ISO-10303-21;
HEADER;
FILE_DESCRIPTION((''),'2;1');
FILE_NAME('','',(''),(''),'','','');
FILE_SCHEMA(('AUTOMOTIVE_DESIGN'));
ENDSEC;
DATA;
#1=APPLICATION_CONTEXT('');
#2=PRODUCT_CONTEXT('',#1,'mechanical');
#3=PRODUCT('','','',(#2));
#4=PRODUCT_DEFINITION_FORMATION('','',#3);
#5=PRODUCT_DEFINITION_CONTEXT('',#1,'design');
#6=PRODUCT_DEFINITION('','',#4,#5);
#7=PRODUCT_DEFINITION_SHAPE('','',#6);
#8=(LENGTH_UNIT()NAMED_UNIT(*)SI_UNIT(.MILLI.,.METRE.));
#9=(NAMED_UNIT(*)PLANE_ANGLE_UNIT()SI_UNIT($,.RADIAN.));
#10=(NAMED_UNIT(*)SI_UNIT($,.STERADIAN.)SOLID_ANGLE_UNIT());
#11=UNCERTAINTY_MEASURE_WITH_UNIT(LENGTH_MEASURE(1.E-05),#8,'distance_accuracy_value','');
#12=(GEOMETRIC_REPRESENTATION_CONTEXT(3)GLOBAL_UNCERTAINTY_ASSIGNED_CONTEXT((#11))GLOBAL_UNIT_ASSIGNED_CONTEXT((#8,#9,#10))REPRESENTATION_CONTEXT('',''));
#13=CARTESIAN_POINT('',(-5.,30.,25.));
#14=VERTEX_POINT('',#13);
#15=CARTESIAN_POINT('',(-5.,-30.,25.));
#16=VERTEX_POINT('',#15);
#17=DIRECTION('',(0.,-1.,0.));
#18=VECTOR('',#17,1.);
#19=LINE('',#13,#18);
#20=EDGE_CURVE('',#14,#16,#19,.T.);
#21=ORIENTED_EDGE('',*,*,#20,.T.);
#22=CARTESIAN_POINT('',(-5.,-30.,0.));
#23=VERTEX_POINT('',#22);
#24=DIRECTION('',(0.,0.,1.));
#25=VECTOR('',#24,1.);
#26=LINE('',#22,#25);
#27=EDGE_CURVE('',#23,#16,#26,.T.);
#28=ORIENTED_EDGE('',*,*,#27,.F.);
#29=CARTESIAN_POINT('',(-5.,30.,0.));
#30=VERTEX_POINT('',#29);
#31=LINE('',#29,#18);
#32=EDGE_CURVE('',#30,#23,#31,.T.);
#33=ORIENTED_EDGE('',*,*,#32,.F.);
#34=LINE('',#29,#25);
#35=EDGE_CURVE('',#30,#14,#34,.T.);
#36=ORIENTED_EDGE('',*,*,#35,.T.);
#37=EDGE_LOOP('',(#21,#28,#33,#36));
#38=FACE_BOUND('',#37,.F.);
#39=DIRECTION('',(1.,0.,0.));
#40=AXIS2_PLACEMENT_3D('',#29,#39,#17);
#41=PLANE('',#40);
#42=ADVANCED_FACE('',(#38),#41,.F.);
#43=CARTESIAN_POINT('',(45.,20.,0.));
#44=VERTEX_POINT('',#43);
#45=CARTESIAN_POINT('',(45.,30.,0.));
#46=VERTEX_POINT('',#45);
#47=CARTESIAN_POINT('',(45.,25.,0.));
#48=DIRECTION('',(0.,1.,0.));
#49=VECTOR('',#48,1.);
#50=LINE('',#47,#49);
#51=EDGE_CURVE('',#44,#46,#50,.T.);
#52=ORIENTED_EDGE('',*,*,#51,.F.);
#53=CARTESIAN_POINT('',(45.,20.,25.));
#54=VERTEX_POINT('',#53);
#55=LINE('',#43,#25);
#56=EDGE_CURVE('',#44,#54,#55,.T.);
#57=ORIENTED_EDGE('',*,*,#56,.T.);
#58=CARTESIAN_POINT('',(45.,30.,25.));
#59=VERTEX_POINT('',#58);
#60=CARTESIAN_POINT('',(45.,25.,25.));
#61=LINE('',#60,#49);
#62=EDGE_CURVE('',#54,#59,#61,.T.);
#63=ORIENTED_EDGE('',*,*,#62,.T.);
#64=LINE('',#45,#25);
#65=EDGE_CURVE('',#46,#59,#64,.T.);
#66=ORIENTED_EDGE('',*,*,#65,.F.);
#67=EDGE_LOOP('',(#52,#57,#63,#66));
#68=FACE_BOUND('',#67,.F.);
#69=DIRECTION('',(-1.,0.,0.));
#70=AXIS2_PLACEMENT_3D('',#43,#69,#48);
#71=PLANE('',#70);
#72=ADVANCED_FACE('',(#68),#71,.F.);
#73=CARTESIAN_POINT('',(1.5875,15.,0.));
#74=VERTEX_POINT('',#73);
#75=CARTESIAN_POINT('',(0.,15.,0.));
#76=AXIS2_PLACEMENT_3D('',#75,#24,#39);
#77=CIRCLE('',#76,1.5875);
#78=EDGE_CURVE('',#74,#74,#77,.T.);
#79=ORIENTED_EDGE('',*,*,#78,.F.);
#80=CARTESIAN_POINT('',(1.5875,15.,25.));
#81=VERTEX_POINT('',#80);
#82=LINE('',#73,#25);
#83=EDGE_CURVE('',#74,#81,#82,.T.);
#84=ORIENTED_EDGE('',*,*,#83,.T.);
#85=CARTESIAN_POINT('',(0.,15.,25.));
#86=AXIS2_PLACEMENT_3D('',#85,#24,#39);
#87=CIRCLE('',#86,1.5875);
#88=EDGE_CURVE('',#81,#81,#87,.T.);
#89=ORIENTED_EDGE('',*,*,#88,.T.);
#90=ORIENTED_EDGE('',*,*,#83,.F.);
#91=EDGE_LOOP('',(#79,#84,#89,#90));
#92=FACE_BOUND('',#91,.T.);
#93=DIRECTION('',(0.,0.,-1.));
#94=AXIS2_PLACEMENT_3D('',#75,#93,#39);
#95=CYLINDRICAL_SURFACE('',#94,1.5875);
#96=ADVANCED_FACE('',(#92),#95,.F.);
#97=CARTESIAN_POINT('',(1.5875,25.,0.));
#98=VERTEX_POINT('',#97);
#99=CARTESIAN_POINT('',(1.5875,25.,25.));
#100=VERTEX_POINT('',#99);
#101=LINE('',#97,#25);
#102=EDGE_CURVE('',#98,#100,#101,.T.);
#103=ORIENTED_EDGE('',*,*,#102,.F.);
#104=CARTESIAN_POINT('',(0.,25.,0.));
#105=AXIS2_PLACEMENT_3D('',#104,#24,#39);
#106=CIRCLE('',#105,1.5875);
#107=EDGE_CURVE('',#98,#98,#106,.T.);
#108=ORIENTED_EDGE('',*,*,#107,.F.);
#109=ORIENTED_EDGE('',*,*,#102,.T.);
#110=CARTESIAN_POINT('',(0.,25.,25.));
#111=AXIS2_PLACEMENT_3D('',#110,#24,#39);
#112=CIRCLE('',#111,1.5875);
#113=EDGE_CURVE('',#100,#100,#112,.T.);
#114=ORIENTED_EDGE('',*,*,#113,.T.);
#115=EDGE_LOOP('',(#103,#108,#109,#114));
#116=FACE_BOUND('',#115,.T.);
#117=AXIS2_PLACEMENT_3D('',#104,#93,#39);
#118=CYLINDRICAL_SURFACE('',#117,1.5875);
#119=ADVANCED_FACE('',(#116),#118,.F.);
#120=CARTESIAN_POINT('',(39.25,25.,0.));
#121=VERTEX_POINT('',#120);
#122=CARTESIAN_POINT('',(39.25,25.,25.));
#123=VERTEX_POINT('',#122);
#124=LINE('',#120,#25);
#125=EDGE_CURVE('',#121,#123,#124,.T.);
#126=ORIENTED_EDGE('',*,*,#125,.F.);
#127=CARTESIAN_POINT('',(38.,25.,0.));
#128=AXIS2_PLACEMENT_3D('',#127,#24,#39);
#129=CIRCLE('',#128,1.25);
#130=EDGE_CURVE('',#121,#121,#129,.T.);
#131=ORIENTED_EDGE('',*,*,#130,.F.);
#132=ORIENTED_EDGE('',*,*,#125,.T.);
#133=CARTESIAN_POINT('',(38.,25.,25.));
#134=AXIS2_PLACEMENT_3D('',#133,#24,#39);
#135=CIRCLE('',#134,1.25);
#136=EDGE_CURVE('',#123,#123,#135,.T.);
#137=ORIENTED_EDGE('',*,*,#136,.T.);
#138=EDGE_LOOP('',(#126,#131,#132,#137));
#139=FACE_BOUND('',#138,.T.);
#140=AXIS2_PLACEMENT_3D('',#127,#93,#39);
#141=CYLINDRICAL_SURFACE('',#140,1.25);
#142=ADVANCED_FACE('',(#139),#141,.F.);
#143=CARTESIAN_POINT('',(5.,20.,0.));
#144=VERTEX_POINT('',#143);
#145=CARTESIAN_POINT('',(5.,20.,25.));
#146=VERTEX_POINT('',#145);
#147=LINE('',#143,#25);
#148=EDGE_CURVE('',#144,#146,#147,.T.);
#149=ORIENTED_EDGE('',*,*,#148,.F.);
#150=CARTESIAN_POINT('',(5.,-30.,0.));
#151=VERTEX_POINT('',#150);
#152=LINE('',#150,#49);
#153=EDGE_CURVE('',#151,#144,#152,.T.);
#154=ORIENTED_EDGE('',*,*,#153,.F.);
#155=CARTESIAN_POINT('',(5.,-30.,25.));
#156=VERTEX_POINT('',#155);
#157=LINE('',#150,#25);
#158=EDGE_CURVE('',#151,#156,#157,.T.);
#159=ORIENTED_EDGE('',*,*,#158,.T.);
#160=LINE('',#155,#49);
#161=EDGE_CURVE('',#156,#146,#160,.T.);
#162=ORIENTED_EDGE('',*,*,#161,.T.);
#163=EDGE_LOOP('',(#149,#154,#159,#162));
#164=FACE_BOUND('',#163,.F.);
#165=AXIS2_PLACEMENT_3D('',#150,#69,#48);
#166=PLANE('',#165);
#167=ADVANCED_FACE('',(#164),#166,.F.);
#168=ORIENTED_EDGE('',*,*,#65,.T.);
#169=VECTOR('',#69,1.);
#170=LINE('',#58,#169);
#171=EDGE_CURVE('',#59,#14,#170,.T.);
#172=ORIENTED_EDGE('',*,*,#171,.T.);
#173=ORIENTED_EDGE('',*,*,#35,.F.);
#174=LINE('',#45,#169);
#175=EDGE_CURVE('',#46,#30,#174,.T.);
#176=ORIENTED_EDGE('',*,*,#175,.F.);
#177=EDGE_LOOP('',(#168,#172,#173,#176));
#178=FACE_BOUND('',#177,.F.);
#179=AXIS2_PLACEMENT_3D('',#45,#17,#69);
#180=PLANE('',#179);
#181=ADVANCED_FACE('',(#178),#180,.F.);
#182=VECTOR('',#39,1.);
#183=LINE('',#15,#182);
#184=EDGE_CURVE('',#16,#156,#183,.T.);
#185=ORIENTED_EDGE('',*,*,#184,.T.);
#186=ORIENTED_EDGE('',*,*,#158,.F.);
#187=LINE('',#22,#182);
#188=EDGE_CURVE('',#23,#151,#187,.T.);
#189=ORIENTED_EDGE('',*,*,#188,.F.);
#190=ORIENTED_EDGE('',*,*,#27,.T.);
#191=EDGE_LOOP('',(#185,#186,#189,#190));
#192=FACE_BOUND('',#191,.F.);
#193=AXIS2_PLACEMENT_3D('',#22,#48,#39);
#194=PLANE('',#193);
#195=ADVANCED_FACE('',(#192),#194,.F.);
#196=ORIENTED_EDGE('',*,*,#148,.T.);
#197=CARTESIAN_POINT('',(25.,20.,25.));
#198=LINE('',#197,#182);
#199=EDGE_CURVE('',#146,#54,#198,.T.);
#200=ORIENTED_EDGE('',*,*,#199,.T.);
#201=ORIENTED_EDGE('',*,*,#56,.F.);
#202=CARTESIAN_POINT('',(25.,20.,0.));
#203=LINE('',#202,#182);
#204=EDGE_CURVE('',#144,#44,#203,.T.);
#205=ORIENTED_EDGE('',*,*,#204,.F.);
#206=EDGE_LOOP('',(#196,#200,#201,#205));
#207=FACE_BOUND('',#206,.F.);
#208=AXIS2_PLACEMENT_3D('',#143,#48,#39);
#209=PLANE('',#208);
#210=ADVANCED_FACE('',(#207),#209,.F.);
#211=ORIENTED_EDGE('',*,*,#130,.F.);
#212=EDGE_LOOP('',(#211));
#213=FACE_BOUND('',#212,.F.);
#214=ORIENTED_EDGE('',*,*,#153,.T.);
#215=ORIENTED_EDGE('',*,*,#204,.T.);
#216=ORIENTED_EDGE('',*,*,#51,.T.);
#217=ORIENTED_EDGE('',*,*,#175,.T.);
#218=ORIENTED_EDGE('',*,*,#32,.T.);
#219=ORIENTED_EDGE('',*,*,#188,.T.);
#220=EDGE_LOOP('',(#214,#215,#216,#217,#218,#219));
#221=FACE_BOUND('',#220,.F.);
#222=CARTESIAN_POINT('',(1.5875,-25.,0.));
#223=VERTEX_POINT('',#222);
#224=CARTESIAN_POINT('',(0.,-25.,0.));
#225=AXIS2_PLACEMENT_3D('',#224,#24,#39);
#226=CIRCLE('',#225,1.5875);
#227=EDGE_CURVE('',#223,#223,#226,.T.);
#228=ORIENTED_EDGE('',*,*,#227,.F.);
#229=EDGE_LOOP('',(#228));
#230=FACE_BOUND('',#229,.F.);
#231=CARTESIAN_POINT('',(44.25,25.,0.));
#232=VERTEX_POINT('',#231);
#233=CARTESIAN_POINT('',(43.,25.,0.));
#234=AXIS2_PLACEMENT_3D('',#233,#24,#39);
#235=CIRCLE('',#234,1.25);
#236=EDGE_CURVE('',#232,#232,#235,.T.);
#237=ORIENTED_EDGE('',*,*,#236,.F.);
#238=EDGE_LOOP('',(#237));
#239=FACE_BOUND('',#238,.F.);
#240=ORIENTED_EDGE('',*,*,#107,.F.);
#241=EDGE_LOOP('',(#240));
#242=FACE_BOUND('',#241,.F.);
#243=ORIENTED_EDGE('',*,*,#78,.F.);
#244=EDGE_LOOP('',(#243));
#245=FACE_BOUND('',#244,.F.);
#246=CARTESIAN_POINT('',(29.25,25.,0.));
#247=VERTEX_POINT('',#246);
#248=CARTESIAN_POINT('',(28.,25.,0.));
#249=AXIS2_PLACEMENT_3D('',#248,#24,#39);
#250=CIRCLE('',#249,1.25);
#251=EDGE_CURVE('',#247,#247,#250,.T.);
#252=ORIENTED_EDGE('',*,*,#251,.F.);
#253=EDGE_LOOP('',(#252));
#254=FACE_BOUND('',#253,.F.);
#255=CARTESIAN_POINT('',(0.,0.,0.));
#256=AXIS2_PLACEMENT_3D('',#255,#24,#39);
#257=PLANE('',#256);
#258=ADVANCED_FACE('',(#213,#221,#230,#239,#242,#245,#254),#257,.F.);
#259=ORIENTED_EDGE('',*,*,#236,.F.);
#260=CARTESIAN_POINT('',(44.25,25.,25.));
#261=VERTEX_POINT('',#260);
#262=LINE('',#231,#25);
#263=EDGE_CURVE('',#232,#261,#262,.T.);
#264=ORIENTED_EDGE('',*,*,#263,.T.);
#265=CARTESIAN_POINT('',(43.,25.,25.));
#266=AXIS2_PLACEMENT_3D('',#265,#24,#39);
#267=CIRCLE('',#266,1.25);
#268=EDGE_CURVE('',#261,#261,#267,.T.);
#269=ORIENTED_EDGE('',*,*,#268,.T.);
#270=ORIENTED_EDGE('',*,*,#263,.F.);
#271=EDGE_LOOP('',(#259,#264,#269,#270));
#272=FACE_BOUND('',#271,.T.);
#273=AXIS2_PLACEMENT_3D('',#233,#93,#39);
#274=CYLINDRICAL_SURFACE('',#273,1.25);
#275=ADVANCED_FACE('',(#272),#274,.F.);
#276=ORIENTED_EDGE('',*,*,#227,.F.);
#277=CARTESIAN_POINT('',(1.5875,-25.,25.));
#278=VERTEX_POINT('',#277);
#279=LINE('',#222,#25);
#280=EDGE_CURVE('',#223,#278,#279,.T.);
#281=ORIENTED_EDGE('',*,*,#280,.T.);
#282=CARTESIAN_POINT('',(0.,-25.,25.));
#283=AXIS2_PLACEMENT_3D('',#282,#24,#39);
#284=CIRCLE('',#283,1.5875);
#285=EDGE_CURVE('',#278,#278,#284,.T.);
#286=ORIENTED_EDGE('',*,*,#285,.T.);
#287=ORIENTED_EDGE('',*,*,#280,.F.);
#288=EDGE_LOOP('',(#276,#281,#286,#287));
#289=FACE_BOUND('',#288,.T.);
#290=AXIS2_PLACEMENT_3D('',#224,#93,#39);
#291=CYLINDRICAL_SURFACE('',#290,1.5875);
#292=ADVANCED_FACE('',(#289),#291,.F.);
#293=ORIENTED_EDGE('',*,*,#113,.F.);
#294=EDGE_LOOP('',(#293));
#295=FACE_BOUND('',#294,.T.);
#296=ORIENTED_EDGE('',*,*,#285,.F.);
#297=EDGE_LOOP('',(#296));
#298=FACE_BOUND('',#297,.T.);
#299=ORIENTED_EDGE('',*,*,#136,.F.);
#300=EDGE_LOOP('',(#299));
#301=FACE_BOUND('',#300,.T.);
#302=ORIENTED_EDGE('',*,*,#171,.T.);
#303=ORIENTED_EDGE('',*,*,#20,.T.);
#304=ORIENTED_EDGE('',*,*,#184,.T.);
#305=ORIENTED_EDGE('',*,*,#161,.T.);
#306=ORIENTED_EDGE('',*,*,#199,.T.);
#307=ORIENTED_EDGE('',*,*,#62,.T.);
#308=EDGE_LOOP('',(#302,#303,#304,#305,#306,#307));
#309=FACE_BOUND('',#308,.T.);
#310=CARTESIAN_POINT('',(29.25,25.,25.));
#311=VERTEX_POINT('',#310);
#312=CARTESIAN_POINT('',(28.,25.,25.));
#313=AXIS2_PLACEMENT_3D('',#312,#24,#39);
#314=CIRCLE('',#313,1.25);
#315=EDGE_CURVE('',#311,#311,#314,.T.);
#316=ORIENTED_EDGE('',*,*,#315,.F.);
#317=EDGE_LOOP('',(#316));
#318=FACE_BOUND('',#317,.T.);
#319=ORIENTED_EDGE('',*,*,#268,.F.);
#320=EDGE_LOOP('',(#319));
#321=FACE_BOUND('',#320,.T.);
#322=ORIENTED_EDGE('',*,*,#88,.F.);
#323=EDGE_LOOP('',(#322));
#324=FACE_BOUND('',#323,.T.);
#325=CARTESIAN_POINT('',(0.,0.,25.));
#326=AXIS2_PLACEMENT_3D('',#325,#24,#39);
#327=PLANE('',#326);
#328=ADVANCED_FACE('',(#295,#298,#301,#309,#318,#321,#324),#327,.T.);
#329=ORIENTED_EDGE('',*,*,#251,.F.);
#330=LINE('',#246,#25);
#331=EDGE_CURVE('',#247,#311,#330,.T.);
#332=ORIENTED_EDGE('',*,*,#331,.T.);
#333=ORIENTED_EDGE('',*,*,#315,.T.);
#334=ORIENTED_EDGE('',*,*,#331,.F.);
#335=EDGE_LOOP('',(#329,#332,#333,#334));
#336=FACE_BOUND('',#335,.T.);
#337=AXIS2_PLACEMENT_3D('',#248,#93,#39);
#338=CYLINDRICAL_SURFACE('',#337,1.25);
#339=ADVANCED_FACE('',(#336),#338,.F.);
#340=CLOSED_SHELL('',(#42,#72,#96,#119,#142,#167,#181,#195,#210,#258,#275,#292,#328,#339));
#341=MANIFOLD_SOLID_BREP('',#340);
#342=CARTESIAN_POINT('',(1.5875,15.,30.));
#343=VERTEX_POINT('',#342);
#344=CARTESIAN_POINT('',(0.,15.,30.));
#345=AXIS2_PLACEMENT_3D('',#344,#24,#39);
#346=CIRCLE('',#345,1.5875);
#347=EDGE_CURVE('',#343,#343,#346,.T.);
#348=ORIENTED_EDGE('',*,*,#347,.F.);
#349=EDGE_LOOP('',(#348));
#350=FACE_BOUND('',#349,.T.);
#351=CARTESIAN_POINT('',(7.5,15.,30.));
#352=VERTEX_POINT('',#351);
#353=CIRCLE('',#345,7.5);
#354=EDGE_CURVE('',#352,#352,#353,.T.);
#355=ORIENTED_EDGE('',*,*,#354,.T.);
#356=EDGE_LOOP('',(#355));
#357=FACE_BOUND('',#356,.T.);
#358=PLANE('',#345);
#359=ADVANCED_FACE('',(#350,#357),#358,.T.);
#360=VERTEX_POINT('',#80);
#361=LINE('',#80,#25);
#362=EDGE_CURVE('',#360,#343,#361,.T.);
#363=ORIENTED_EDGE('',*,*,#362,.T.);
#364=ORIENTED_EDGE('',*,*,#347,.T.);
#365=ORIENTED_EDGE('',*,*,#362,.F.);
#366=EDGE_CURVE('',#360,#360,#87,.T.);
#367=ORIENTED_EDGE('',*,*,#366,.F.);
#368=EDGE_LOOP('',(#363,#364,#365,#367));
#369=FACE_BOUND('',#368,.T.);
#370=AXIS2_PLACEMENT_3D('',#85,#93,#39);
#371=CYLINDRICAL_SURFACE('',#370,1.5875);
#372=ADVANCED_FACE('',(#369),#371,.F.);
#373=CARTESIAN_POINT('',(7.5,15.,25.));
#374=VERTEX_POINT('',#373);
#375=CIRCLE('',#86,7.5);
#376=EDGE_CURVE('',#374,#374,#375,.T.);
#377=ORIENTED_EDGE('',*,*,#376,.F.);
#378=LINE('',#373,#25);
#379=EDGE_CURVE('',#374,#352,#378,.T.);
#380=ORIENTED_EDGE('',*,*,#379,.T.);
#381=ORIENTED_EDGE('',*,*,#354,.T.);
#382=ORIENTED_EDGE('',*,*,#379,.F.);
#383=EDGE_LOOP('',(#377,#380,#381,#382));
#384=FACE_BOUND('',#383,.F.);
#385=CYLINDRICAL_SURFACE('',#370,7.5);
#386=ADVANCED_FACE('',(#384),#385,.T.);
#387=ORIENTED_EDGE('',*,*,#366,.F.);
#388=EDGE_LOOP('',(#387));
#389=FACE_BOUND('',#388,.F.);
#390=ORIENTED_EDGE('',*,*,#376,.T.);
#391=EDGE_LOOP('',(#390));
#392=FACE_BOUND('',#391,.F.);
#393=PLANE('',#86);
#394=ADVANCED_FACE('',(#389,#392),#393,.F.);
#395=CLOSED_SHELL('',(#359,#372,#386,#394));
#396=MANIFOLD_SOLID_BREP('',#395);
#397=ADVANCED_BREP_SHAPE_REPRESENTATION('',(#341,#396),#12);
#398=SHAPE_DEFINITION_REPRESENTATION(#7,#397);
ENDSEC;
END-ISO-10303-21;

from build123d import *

# Parameters (mm, degrees)
F0_R     = 1.5875
F0_W     = 40
F0_H     = 10
F0_R_2   = 1.25
F1_DEPTH = 25
F2_R     = 7.5
F2_R_2   = 1.5875
F3_DEPTH = 5


with BuildPart() as f1:
    # F0 (on Top) → F1 (new body)
    with BuildSketch(Plane.XY):
        Polygon((-5, -30), (5, -30), (5, 0), (5, 20), (5, 30), (-5, 30), align=None)
        with Locations((0, -25)):
            Circle(F0_R, mode=Mode.SUBTRACT)
        with Locations((0, 15)):
            Circle(F0_R, mode=Mode.SUBTRACT)
        with Locations((0, 25)):
            Circle(F0_R, mode=Mode.SUBTRACT)
        with Locations((25, 25)):
            Rectangle(F0_W, F0_H)
        with Locations((28, 25)):
            Circle(F0_R_2, mode=Mode.SUBTRACT)
        with Locations((38, 25)):
            Circle(F0_R_2, mode=Mode.SUBTRACT)
        with Locations((43, 25)):
            Circle(F0_R_2, mode=Mode.SUBTRACT)
    extrude(amount=F1_DEPTH)


with BuildPart() as f3:
    # F2 (on face) → F3 (new body)
    with BuildSketch(Plane.XY.offset(25)):
        with Locations((0, 15)):
            Circle(F2_R)
        with Locations((0, 15)):
            Circle(F2_R_2, mode=Mode.SUBTRACT)
    extrude(amount=F3_DEPTH)


solid = Compound([f1.part, f3.part])
